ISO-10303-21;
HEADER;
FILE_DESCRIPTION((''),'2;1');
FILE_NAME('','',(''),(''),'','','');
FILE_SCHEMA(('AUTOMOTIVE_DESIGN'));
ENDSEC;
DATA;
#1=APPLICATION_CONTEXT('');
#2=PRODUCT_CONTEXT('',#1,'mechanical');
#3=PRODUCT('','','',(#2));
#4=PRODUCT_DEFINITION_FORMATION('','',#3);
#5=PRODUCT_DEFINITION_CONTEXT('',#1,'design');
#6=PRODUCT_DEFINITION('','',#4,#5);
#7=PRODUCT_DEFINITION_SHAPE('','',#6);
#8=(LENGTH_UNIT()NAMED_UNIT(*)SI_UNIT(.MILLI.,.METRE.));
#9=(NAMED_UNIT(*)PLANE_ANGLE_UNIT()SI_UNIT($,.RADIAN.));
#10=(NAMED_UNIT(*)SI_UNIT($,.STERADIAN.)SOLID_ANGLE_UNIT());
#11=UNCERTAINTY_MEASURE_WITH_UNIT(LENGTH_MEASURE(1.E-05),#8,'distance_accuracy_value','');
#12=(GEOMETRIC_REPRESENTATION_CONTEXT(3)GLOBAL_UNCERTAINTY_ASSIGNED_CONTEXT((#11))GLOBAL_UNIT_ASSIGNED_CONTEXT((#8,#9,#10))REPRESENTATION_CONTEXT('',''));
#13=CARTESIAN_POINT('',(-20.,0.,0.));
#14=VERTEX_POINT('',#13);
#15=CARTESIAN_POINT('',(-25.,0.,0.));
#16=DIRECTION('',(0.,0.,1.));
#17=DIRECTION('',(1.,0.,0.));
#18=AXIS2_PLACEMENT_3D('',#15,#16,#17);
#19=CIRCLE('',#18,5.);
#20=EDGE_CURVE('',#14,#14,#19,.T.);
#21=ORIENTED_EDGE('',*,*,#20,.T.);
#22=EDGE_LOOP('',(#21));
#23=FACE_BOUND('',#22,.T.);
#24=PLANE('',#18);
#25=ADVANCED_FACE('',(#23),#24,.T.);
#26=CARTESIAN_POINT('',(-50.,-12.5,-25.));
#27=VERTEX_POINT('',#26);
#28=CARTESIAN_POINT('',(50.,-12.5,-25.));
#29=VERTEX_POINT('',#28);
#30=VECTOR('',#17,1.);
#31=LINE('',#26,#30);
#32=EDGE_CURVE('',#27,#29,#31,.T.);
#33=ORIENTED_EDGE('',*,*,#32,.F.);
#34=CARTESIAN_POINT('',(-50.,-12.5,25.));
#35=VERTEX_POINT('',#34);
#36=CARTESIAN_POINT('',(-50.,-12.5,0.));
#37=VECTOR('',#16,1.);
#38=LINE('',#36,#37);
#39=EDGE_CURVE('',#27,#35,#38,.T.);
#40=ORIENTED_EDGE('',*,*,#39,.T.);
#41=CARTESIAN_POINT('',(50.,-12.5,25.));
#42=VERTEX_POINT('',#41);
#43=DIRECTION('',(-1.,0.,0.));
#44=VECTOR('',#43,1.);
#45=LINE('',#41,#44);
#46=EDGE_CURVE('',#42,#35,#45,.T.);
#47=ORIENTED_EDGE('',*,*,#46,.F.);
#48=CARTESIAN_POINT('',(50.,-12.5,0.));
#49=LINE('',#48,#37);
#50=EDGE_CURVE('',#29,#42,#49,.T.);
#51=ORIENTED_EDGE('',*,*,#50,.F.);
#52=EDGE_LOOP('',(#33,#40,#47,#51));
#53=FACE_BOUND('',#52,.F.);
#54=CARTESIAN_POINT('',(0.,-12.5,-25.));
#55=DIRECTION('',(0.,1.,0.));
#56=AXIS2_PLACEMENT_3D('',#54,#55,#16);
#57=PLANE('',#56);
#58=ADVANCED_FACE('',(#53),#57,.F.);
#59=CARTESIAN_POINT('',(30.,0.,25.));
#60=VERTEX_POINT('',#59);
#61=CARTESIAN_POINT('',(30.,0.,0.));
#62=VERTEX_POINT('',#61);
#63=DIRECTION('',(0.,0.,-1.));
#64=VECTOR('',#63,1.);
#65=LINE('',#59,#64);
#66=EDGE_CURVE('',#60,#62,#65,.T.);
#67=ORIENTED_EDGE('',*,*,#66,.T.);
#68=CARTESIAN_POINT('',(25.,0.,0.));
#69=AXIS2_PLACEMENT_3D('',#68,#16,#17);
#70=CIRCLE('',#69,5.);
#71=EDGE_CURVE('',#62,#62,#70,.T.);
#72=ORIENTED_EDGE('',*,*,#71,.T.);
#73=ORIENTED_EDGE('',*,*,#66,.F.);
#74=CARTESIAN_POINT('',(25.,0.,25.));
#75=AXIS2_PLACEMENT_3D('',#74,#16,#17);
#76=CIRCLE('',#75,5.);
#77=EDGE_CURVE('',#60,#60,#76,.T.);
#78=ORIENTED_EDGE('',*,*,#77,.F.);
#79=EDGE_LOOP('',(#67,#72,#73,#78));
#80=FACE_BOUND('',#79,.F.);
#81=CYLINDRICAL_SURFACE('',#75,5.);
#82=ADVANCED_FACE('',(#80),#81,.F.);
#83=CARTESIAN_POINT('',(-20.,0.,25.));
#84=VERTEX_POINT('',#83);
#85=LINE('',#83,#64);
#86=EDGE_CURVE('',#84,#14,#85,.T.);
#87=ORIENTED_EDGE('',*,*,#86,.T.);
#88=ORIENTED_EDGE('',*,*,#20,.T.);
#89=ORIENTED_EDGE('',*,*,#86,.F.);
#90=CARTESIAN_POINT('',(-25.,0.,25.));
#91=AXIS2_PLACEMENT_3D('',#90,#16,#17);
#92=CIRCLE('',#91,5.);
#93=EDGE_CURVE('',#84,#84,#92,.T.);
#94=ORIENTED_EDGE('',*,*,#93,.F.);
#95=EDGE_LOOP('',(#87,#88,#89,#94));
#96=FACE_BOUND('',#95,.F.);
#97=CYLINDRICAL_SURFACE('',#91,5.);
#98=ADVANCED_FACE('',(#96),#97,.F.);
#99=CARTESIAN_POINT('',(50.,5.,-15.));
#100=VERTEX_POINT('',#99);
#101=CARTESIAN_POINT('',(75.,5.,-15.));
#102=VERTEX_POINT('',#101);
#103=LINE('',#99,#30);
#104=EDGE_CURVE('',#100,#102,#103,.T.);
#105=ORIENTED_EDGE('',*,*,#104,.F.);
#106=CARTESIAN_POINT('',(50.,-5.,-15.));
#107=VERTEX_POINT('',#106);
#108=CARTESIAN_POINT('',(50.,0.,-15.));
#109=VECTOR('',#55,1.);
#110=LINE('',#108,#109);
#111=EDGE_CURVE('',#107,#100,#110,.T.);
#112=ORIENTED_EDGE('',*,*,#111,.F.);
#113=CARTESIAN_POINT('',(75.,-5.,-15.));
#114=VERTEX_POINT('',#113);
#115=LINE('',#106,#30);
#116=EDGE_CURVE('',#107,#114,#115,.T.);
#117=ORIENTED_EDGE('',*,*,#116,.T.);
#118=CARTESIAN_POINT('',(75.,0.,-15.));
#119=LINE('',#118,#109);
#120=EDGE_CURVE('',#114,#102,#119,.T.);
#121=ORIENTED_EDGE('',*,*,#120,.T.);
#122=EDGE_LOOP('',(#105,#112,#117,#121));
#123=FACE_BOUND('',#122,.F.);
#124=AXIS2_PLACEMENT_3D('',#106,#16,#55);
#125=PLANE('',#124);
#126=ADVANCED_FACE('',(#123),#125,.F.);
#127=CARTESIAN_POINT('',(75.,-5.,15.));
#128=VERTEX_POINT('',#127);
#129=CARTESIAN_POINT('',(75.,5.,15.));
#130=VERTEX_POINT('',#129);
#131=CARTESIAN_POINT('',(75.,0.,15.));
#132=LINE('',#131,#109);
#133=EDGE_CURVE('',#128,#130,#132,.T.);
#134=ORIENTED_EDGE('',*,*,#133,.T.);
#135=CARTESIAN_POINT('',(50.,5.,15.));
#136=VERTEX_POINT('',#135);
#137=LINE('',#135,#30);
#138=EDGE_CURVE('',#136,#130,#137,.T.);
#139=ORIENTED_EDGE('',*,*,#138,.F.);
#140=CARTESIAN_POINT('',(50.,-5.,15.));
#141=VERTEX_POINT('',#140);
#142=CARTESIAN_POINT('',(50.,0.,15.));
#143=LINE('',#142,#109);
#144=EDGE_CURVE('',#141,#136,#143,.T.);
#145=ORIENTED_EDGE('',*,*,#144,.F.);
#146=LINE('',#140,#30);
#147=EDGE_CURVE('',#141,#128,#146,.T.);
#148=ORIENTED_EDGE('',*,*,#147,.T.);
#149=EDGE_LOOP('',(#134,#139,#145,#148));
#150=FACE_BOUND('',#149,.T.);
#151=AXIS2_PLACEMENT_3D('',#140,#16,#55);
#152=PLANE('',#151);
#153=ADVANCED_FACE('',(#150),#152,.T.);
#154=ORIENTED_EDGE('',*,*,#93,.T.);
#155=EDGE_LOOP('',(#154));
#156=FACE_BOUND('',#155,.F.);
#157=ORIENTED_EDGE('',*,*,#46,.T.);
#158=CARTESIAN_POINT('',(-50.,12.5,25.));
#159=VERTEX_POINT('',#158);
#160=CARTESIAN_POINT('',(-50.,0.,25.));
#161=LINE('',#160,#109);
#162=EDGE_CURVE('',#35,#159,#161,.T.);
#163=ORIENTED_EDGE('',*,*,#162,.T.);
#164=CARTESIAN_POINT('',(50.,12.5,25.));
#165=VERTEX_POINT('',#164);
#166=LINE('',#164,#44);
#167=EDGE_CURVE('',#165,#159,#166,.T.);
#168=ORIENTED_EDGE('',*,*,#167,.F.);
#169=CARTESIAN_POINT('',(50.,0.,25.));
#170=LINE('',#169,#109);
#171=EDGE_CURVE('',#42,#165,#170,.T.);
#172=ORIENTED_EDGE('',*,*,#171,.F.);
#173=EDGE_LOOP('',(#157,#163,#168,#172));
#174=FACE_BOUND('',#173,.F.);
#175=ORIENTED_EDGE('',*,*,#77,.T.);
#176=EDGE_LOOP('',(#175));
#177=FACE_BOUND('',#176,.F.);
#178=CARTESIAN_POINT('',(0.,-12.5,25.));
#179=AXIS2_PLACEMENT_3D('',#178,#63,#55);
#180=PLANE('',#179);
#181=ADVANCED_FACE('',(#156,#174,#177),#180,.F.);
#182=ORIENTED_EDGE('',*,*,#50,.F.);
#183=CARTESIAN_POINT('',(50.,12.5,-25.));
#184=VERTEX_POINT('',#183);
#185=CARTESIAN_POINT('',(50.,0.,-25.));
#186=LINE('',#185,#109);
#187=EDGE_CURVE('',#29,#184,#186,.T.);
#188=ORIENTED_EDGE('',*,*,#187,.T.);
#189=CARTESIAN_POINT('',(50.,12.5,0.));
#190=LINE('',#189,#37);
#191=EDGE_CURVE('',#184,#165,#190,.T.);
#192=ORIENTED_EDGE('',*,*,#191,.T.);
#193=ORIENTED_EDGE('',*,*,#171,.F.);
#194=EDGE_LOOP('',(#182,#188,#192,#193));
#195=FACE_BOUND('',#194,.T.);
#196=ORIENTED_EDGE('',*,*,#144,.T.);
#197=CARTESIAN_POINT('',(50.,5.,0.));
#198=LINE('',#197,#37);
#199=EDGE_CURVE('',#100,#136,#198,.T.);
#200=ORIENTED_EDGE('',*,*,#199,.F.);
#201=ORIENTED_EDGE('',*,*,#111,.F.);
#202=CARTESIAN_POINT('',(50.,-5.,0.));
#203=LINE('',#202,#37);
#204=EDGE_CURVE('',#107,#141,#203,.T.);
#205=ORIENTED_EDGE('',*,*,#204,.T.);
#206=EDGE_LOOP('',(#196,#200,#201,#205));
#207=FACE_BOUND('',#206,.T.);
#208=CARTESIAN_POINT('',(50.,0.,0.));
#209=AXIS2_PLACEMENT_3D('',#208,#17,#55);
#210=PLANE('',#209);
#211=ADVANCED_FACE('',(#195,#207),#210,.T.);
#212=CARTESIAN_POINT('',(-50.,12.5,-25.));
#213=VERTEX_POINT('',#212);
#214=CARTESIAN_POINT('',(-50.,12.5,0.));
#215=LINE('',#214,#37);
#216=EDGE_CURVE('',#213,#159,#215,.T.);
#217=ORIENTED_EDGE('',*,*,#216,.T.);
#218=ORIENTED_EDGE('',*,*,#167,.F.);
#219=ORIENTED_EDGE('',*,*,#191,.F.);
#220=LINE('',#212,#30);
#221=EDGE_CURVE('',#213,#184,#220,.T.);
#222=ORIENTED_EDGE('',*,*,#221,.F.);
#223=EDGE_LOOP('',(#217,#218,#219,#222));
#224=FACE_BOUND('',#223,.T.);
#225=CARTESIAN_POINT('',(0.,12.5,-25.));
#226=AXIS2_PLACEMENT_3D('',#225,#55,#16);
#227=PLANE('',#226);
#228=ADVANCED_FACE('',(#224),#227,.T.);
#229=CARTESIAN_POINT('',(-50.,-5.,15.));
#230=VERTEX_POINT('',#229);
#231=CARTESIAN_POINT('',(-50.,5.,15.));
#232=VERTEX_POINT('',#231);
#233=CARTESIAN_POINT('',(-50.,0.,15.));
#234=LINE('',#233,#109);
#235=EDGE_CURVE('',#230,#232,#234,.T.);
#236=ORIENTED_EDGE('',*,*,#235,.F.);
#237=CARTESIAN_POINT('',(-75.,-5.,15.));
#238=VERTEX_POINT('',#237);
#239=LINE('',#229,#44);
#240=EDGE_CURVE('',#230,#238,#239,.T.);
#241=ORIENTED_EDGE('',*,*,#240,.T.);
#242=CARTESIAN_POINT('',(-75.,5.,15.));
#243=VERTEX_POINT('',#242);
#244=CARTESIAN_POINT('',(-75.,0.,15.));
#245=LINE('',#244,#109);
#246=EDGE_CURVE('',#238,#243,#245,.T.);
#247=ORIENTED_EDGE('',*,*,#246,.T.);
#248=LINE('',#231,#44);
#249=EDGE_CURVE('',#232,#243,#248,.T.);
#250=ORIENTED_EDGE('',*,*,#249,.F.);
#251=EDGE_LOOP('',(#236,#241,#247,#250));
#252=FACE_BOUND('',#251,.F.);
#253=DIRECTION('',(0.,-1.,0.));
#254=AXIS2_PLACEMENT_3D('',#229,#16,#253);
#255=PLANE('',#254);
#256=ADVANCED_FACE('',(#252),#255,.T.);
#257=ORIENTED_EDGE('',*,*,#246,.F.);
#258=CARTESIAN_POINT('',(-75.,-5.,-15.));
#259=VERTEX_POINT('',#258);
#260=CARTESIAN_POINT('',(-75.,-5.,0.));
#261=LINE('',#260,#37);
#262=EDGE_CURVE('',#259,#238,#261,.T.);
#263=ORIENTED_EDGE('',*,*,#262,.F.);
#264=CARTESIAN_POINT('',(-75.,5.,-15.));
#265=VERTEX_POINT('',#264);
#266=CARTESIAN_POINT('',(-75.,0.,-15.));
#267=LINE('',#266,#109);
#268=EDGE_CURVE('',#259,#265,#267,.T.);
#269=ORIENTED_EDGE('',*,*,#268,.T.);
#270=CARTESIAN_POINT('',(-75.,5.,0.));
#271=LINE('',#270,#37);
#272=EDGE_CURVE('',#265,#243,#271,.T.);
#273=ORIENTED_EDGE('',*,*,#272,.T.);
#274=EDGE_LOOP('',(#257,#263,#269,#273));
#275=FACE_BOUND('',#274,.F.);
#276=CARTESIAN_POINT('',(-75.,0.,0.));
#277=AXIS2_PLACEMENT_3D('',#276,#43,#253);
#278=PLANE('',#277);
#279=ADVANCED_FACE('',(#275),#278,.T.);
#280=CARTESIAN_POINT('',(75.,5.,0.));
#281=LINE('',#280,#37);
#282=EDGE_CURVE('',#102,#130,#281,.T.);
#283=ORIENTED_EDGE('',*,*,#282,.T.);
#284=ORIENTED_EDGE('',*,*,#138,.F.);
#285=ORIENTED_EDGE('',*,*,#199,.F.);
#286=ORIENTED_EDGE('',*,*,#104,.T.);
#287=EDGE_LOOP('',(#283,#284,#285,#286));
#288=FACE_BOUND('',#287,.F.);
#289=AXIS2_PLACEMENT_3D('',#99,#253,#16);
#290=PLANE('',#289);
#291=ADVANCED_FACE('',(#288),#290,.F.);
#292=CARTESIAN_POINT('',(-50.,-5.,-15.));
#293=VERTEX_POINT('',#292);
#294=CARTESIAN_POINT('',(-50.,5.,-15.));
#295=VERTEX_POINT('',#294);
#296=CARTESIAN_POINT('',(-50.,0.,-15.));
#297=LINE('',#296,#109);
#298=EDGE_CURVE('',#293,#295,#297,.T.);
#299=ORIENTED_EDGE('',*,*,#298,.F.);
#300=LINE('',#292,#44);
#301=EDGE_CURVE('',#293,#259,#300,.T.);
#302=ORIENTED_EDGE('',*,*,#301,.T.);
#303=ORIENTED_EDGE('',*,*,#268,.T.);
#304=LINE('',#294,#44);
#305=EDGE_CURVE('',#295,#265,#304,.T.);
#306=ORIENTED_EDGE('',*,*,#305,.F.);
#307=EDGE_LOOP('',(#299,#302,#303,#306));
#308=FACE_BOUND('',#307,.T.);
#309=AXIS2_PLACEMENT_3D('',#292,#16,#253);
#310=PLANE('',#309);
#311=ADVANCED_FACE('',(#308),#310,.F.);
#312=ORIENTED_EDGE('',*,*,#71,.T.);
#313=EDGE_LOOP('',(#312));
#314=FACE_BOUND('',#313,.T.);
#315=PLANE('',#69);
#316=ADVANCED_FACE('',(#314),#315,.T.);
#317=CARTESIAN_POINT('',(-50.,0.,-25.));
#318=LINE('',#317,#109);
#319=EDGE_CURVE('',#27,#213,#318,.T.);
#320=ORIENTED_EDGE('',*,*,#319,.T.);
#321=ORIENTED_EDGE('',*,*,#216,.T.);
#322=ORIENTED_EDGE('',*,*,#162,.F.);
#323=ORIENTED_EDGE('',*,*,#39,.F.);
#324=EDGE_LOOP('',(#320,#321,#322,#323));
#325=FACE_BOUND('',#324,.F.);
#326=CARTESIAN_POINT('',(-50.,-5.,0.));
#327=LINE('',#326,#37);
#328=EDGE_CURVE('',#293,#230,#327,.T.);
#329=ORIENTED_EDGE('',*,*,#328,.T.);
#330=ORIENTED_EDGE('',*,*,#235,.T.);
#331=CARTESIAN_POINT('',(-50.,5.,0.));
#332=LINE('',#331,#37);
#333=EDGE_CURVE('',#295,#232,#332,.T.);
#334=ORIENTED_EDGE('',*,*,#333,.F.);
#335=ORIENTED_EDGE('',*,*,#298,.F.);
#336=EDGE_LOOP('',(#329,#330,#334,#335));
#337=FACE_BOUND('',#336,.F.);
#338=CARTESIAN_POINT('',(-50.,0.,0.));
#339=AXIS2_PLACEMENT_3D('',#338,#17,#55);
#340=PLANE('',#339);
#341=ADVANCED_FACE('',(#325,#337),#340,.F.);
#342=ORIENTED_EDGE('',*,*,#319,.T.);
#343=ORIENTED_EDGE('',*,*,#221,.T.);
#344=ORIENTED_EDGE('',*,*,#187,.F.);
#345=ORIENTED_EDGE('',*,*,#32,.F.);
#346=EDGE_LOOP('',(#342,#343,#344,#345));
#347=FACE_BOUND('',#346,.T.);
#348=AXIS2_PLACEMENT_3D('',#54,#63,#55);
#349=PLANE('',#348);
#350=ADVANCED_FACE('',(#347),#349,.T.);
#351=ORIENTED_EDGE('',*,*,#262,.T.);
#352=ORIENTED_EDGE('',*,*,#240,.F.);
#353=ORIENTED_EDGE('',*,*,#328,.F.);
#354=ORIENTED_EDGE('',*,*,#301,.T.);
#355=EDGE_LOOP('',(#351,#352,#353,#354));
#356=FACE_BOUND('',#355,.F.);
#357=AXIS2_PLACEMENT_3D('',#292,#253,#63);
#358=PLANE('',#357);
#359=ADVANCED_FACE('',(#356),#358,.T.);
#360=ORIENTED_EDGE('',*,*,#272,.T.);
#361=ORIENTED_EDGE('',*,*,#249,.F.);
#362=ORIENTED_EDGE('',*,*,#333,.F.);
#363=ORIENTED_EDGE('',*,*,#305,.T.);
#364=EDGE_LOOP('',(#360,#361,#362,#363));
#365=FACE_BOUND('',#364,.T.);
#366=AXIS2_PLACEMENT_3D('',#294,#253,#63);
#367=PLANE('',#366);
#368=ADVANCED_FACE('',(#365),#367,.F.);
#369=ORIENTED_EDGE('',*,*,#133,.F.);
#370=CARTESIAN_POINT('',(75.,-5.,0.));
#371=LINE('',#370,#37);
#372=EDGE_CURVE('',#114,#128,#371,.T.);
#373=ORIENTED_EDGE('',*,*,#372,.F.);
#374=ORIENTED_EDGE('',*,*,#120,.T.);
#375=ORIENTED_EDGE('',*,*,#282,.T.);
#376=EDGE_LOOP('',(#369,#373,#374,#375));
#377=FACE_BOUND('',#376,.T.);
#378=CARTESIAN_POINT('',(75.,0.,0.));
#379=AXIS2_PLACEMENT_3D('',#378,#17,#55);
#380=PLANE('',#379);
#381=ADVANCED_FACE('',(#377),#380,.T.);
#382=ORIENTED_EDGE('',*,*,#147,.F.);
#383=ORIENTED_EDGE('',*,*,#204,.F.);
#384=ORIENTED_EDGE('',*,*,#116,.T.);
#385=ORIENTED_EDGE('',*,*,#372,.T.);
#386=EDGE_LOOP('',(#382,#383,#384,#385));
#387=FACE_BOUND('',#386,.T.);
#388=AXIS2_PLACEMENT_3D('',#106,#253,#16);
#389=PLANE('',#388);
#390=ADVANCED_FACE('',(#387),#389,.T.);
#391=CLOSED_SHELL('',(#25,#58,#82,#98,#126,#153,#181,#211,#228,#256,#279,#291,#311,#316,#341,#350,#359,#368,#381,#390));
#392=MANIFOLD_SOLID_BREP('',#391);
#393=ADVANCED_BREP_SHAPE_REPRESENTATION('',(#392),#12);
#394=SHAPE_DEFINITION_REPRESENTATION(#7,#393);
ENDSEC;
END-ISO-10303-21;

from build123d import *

# Parameters (mm, degrees)
F0_W     = 25
F0_H     = 50
F1_DEPTH = 50
F2_W     = 10
F2_H     = 30
F3_DEPTH = 25
F5_R     = 5
F6_DEPTH = 25


with BuildPart() as f1:
    # F0 (on Right) → F1 (new body, symmetric)
    with BuildSketch(Plane.YZ):
        Rectangle(F0_W, F0_H)
    extrude(amount=F1_DEPTH, both=True)

    # F2 (on face) → F3 (join)
    with BuildSketch(Plane.YZ.offset(50)):
        Rectangle(F2_W, F2_H)
    extrude(amount=F3_DEPTH)

    # F4: F1 across plane


with BuildPart() as f1_1:
    add(f1.part)
    add(f1.part.mirror(Plane.YZ))

    # F5 (on face) → F6 (cut)
    with BuildSketch(Plane.XY.offset(25)):
        with Locations((-25, 0)):
            Circle(F5_R)
        with Locations((25, 0)):
            Circle(F5_R)
    extrude(amount=-F6_DEPTH, mode=Mode.SUBTRACT)


solid = f1_1.part
